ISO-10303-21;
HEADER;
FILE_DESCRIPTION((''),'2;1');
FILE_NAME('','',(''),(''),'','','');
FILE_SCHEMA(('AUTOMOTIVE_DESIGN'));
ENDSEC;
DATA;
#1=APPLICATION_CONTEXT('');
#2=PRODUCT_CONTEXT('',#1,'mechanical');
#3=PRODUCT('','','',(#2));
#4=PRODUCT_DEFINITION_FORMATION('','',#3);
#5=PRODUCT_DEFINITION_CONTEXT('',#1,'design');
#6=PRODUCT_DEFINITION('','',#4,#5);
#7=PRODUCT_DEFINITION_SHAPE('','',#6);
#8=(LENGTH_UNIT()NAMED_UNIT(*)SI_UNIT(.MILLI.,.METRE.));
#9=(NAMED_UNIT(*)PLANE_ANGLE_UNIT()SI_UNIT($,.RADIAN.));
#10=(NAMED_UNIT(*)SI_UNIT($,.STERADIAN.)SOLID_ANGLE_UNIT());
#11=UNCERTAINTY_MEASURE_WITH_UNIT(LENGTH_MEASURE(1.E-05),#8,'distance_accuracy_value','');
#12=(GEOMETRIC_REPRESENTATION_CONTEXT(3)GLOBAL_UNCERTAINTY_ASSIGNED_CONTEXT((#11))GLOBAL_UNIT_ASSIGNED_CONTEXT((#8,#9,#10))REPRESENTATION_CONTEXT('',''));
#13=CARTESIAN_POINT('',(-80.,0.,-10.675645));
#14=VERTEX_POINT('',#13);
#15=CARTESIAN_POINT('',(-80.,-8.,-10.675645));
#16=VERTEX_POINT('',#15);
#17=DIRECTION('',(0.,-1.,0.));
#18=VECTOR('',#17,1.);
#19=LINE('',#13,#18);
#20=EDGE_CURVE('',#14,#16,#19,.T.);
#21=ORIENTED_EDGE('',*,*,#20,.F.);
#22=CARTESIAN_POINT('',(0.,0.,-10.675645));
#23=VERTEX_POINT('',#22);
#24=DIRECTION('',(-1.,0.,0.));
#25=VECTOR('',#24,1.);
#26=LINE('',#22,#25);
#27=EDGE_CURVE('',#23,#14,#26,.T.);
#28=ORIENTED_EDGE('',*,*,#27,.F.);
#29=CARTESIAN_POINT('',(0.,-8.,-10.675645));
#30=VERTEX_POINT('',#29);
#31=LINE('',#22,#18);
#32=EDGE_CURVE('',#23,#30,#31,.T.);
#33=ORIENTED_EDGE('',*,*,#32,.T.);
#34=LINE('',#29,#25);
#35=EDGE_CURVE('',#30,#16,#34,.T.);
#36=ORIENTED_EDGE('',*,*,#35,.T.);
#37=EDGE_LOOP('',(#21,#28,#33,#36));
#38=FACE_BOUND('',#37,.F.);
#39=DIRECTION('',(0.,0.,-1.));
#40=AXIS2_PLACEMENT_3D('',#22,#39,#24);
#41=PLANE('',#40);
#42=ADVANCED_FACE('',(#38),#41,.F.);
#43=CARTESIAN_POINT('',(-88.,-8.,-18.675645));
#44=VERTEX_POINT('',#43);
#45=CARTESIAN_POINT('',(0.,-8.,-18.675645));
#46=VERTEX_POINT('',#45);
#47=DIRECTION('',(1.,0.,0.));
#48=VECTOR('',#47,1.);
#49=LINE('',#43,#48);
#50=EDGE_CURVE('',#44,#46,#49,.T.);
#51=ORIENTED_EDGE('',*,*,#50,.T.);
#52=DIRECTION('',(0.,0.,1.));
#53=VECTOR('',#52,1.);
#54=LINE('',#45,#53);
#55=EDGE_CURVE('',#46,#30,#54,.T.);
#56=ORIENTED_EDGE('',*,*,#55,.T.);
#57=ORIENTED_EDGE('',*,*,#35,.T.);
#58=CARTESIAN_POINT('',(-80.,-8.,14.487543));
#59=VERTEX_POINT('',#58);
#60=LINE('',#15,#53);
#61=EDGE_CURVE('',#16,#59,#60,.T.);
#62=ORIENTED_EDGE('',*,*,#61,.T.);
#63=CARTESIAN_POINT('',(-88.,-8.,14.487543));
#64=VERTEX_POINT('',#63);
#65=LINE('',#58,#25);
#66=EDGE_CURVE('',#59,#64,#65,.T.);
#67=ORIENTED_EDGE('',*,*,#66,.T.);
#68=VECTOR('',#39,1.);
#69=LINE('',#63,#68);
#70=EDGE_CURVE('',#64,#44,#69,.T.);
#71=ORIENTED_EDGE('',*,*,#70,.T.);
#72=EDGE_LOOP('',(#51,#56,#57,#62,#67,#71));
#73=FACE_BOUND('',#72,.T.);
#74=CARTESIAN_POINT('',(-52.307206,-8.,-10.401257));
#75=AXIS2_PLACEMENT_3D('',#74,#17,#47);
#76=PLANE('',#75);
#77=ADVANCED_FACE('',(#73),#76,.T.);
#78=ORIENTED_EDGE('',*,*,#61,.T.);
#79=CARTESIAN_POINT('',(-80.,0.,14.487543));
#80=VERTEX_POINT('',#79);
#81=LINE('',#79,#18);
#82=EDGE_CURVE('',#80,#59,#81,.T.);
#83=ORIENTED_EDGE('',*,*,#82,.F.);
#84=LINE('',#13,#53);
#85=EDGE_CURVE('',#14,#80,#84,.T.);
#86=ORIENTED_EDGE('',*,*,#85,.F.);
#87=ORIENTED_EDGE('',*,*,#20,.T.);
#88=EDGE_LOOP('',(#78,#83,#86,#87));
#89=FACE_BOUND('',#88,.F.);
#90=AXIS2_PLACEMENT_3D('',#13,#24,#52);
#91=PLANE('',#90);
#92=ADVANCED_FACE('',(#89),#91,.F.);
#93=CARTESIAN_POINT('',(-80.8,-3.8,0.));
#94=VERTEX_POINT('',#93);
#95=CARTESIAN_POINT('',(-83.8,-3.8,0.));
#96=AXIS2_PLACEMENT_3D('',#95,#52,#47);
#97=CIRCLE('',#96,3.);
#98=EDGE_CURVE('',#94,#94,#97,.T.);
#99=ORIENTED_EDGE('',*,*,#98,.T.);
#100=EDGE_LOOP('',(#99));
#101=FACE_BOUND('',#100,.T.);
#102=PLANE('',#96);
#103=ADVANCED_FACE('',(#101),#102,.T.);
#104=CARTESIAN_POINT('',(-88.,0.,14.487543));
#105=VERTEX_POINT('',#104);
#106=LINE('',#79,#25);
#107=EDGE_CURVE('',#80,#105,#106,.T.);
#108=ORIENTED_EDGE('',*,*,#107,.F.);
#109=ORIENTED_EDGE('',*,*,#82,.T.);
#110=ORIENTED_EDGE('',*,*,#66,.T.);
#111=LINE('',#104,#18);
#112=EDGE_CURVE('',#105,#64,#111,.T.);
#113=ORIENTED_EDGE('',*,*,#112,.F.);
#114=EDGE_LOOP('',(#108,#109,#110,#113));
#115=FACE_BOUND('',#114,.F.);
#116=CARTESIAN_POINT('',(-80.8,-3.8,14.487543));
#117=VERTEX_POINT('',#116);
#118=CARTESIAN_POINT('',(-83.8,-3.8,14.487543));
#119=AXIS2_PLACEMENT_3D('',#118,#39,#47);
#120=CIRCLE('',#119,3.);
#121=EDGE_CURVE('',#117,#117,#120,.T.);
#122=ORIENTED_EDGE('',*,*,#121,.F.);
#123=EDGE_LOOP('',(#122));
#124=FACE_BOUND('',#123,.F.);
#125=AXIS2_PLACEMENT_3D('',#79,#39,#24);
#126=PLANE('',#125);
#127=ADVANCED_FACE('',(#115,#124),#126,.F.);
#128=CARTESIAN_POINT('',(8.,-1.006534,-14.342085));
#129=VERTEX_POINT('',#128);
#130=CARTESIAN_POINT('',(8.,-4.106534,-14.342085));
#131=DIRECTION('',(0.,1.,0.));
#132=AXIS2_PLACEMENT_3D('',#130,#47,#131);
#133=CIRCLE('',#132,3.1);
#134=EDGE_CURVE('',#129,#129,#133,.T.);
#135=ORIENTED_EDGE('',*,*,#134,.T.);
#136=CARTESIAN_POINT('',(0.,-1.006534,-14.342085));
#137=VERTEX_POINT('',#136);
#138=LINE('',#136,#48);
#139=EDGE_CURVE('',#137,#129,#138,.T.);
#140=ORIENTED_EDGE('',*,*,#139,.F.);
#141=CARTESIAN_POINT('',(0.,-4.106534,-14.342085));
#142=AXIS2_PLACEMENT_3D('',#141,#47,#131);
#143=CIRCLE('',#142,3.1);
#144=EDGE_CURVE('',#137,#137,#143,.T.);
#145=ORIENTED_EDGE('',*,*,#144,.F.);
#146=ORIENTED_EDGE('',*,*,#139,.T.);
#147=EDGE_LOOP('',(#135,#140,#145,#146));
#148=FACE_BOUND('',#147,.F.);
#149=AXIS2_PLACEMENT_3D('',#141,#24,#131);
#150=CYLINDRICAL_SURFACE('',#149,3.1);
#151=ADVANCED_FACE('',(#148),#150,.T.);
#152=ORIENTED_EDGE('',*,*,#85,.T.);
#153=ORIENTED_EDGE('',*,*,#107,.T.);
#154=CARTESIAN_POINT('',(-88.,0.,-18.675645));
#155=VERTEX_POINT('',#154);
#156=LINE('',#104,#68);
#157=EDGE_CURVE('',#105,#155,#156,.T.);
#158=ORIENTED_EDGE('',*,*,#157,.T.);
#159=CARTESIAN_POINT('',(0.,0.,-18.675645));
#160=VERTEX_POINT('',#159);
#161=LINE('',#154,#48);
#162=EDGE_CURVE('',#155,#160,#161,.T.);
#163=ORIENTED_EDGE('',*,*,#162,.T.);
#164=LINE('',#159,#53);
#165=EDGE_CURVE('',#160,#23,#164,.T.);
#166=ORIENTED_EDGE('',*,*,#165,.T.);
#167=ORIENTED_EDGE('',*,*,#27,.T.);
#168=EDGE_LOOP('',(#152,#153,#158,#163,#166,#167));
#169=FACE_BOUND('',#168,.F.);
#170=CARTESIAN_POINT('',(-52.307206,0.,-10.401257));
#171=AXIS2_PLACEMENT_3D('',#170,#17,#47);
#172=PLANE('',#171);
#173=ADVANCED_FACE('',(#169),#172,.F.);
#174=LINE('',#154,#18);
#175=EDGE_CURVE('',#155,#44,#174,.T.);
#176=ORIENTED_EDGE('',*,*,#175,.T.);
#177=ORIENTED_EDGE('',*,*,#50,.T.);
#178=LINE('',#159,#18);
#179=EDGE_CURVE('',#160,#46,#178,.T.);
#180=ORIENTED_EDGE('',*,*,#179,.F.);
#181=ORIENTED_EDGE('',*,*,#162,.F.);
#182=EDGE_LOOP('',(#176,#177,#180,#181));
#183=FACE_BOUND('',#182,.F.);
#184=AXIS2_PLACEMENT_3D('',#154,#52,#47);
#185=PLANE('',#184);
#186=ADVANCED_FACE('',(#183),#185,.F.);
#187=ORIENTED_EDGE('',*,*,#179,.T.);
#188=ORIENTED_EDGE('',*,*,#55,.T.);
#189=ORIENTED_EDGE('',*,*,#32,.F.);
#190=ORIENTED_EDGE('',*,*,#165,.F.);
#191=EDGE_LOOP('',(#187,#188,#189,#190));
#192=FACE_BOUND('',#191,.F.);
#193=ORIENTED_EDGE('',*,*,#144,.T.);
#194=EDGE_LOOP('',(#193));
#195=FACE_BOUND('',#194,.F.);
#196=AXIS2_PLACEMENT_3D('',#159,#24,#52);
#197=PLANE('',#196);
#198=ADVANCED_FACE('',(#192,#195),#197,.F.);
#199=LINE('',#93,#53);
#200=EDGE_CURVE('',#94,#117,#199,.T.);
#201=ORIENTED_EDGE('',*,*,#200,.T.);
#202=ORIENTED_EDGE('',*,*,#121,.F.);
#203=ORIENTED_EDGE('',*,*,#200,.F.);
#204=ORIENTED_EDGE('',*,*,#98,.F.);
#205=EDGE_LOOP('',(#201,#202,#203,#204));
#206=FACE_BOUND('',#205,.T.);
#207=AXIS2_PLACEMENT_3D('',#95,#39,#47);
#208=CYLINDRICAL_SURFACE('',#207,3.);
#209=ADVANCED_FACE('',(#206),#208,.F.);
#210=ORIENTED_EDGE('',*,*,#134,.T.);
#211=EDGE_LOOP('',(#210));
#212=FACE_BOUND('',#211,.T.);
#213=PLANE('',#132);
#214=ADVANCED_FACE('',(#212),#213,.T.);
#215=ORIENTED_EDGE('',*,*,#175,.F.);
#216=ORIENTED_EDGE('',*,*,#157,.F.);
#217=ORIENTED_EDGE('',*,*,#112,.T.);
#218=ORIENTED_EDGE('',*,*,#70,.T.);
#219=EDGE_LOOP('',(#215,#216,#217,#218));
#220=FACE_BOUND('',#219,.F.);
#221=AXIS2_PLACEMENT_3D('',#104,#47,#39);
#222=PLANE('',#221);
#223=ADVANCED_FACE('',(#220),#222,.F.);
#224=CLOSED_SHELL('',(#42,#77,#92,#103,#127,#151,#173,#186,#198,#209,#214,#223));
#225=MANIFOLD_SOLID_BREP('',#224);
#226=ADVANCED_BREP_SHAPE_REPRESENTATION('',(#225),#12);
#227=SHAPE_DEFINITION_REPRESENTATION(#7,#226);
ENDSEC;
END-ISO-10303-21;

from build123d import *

# Parameters (mm, degrees)
F1_DEPTH = 8
F2_R     = 3.1
F3_DEPTH = 8
F4_R     = 3
F5_DEPTH = 16


with BuildPart() as f1:
    # F0 (on Front) → F1 (new body)
    with BuildSketch(Plane.XZ):
        Polygon((-80, -10.675645), (-80, 14.487543), (-88, 14.487543), (-88, -18.675645), (0, -18.675645), (0, -10.675645), align=None)
    extrude(amount=F1_DEPTH)

    # F2 (on Right) → F3 (join)
    with BuildSketch(Plane.YZ):
        with Locations((-4.106534, -14.342085)):
            Circle(F2_R)
    extrude(amount=F3_DEPTH)

    # F4 (on Top) → F5 (cut)
    with BuildSketch(Plane.XY):
        with Locations((-83.8, -3.8)):
            Circle(F4_R)
    extrude(amount=F5_DEPTH, mode=Mode.SUBTRACT)


solid = f1.part
